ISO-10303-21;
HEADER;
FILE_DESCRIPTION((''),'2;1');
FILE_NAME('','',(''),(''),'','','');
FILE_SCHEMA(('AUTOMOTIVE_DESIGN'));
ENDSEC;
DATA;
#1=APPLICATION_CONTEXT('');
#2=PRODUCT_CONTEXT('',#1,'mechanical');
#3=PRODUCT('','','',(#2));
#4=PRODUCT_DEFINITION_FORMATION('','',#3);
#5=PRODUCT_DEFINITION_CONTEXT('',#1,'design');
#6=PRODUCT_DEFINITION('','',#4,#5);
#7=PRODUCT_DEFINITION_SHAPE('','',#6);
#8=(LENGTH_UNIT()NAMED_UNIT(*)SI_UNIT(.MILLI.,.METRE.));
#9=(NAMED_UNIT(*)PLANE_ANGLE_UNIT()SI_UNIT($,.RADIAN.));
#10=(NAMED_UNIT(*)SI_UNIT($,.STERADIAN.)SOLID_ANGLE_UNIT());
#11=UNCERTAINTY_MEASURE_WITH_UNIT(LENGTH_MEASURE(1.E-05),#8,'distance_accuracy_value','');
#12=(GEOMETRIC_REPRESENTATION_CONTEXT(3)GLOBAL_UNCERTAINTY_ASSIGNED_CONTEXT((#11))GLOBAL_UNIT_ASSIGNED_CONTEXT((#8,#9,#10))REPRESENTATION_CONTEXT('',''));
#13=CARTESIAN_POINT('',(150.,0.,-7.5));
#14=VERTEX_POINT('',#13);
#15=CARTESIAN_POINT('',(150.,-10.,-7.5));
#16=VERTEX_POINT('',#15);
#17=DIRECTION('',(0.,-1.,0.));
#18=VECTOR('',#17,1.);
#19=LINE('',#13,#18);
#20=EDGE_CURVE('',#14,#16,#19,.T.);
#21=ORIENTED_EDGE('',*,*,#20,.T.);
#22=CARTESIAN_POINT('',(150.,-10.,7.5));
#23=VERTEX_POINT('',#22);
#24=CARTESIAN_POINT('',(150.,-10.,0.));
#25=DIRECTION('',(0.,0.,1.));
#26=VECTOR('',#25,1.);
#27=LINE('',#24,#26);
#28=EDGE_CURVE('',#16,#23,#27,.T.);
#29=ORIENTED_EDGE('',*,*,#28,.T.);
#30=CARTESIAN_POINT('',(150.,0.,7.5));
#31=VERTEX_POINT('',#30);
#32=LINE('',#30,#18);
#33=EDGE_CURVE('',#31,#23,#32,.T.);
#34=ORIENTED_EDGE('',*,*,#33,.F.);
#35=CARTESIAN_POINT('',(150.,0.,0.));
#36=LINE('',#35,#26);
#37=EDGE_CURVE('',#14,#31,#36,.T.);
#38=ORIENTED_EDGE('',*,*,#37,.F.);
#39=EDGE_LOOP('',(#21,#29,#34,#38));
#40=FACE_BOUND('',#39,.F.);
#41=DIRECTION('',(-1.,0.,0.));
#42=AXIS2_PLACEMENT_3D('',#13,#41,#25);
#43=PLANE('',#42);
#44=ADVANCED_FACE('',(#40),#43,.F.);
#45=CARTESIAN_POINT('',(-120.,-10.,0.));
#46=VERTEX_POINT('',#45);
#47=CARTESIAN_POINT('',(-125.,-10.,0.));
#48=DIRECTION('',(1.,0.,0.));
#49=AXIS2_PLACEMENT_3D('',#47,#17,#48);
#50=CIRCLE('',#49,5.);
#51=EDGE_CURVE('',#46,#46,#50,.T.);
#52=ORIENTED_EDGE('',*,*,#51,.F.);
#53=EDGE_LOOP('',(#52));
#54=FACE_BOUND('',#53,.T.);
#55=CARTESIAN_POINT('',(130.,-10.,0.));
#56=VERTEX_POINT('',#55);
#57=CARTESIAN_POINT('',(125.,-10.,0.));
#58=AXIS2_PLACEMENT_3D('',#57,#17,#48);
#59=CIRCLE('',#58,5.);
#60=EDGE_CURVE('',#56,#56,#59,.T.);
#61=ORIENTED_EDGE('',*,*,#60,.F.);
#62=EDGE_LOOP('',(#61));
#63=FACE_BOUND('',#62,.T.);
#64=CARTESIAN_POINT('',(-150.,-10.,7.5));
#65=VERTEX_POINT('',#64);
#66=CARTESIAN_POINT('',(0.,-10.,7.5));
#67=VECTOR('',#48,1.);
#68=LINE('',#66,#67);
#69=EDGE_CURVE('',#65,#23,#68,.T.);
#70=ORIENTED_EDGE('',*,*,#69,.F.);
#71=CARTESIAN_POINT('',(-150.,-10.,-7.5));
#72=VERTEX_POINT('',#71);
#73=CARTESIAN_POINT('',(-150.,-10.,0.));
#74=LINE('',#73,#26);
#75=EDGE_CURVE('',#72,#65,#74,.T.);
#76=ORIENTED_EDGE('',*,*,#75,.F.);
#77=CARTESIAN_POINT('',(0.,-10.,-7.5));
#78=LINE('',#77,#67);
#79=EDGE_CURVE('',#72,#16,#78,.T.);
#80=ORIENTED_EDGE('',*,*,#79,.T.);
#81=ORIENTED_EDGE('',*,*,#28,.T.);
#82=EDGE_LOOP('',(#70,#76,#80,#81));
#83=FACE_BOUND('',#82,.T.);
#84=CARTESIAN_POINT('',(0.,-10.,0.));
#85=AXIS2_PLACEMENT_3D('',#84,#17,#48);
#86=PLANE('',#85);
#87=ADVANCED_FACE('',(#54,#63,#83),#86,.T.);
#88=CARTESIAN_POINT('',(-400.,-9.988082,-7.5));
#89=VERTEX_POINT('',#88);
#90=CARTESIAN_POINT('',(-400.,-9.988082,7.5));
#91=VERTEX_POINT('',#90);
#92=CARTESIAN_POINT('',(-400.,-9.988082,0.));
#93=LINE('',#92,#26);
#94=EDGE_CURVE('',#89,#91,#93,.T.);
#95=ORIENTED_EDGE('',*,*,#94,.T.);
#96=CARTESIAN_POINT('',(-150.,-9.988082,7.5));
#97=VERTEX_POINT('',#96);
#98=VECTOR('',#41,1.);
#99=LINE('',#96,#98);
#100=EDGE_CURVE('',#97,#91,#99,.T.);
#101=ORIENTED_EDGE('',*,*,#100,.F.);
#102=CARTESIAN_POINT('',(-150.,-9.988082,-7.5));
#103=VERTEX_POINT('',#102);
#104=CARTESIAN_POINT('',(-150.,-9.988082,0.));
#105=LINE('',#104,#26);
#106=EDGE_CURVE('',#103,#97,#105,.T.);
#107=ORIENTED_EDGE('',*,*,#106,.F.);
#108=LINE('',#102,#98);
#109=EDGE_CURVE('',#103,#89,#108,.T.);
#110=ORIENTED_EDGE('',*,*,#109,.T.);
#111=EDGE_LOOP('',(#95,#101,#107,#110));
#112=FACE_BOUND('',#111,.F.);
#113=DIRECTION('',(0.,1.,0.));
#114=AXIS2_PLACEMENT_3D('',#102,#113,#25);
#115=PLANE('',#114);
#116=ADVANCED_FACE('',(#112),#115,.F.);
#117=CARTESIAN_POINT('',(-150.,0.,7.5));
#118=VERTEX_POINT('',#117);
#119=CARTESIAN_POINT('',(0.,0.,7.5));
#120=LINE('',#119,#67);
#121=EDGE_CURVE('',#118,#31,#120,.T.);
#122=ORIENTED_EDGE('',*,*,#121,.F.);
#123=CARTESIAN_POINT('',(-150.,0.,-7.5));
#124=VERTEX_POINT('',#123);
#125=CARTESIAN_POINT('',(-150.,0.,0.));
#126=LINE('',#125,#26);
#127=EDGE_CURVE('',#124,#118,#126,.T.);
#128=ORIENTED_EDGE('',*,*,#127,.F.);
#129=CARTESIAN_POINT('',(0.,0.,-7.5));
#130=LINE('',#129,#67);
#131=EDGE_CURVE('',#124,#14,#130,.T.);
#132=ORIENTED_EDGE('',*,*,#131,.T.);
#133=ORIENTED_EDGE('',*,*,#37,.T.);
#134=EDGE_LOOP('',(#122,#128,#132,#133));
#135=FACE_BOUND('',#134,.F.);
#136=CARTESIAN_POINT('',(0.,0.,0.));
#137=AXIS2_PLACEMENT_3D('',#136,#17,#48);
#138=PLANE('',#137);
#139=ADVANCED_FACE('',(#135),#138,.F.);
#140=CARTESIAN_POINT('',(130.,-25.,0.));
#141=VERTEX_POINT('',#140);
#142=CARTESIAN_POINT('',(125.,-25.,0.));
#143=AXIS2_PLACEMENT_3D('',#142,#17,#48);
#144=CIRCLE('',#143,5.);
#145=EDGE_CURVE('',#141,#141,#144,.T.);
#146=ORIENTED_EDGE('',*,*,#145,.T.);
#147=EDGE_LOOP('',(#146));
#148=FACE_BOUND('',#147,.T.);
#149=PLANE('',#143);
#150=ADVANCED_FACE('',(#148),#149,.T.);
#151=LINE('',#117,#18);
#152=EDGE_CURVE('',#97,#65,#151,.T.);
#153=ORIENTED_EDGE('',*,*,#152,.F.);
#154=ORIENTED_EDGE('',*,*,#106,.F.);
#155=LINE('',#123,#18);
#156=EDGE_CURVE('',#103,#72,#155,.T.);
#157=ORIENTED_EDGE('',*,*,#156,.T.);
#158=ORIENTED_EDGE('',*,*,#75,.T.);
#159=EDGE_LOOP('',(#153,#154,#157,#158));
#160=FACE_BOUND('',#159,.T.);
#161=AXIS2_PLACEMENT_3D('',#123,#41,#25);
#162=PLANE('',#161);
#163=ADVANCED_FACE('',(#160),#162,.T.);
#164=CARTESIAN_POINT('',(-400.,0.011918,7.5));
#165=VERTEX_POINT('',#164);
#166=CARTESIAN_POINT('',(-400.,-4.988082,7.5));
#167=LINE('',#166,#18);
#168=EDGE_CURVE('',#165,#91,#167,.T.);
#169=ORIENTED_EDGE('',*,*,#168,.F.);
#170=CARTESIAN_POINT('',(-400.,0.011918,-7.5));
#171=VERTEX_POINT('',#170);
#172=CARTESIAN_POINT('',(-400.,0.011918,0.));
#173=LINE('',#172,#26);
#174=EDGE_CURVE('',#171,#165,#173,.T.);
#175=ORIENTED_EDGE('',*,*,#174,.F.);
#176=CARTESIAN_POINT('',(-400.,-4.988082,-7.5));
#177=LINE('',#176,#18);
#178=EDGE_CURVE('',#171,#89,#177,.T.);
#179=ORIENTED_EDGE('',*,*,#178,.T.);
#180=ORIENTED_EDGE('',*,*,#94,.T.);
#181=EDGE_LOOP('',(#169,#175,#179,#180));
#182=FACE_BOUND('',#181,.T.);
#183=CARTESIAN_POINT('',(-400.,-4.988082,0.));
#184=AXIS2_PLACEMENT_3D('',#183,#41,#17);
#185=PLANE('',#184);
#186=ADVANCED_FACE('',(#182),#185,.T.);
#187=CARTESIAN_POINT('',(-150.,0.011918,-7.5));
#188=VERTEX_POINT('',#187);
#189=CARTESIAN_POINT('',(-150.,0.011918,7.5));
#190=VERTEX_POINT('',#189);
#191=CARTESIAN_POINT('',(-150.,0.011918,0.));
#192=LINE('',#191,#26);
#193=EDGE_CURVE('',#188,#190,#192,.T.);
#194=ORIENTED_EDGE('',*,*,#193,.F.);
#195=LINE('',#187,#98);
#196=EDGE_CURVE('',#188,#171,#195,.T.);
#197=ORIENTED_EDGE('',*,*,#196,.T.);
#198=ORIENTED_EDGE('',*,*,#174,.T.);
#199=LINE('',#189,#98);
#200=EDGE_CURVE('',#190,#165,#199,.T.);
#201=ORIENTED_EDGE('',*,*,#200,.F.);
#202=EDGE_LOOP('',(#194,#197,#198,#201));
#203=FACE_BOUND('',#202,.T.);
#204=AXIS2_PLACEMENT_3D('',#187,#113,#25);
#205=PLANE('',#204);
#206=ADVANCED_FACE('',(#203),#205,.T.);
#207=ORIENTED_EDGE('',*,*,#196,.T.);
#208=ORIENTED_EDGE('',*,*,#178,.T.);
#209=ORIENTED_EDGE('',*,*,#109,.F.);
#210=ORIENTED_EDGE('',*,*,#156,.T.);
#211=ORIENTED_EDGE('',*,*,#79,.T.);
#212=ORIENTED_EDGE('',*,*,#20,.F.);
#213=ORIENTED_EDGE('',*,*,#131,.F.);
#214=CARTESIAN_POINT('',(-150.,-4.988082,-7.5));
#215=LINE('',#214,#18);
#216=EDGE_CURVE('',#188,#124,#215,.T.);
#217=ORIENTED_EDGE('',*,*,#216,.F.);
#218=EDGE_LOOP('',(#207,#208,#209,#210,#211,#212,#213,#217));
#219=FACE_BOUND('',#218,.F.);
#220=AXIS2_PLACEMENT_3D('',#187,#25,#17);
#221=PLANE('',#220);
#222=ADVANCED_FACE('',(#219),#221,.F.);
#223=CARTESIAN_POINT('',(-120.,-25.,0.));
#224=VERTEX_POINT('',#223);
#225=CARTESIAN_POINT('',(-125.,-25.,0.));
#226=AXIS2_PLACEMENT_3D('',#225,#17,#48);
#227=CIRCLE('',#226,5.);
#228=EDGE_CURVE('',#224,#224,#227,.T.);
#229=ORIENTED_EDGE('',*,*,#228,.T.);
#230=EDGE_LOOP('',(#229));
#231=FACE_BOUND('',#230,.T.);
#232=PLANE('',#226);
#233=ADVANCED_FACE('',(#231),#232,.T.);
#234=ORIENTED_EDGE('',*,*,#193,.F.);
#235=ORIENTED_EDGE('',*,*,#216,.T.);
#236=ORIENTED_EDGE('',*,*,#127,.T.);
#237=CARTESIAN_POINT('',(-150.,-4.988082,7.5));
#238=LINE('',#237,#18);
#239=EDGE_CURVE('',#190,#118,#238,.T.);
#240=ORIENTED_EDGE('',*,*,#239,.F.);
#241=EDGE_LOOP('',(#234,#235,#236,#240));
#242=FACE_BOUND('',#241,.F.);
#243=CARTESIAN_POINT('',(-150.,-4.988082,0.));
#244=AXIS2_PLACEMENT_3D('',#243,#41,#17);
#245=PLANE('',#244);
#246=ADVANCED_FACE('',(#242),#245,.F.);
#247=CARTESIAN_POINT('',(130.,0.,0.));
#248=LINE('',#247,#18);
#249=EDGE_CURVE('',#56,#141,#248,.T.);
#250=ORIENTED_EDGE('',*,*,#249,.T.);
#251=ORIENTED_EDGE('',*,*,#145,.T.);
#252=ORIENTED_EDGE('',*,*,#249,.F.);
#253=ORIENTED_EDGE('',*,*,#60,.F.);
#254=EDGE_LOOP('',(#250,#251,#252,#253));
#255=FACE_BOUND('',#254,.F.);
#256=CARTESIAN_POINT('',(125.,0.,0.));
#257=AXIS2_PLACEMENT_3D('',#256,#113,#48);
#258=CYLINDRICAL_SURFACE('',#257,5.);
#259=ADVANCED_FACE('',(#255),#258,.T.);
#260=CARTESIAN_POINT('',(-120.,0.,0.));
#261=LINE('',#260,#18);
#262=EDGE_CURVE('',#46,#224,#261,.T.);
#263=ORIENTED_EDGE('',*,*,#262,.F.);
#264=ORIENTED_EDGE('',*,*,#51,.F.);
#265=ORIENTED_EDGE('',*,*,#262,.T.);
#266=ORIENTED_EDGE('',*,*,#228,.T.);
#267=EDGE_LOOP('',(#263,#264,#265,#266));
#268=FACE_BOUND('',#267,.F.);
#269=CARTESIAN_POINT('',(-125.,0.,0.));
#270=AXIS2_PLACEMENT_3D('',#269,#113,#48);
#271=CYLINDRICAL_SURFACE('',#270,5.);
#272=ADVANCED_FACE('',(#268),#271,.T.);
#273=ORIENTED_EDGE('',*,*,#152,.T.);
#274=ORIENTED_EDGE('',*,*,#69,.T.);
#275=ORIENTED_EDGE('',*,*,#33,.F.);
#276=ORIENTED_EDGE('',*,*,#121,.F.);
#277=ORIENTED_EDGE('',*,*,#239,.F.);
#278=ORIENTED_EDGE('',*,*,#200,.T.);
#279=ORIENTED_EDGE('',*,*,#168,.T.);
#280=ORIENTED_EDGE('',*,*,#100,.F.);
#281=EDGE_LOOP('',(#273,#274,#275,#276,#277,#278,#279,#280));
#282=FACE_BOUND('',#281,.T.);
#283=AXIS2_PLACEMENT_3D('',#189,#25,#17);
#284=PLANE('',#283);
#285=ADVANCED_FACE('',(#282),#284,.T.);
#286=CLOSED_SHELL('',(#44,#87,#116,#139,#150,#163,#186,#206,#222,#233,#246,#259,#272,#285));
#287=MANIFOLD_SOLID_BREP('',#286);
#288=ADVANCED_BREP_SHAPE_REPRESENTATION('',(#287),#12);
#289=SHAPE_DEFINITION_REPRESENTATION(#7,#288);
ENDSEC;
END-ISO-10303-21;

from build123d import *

# Parameters (mm, degrees)
F0_W     = 300
F0_H     = 15
F0_R     = 5
F1_DEPTH = 10
F2_DEPTH = 25
F4_W     = 10
F4_H     = 15
F5_DEPTH = 250


with BuildPart() as f1:
    # F0 (on Front) → F1 (new body)
    with BuildSketch(Plane.XZ):
        Rectangle(F0_W, F0_H)
        with Locations((-125, 0)):
            Circle(F0_R, mode=Mode.SUBTRACT)
        with Locations((125, 0)):
            Circle(F0_R, mode=Mode.SUBTRACT)
    extrude(amount=F1_DEPTH)

    # F0 (on Front) → F2 (join)
    with BuildSketch(Plane.XZ):
        with Locations((-125, 0)):
            Circle(F0_R)
        with Locations((125, 0)):
            Circle(F0_R)
    extrude(amount=F2_DEPTH)

    # F4 (on offset) → F5 (join)
    with BuildSketch(Plane(origin=(-150, 0, 0), x_dir=(0, -1, 0), z_dir=(-1, 0, 0))):
        with Locations((4.988082091, 0)):
            Rectangle(F4_W, F4_H)
    extrude(amount=F5_DEPTH)


solid = f1.part
